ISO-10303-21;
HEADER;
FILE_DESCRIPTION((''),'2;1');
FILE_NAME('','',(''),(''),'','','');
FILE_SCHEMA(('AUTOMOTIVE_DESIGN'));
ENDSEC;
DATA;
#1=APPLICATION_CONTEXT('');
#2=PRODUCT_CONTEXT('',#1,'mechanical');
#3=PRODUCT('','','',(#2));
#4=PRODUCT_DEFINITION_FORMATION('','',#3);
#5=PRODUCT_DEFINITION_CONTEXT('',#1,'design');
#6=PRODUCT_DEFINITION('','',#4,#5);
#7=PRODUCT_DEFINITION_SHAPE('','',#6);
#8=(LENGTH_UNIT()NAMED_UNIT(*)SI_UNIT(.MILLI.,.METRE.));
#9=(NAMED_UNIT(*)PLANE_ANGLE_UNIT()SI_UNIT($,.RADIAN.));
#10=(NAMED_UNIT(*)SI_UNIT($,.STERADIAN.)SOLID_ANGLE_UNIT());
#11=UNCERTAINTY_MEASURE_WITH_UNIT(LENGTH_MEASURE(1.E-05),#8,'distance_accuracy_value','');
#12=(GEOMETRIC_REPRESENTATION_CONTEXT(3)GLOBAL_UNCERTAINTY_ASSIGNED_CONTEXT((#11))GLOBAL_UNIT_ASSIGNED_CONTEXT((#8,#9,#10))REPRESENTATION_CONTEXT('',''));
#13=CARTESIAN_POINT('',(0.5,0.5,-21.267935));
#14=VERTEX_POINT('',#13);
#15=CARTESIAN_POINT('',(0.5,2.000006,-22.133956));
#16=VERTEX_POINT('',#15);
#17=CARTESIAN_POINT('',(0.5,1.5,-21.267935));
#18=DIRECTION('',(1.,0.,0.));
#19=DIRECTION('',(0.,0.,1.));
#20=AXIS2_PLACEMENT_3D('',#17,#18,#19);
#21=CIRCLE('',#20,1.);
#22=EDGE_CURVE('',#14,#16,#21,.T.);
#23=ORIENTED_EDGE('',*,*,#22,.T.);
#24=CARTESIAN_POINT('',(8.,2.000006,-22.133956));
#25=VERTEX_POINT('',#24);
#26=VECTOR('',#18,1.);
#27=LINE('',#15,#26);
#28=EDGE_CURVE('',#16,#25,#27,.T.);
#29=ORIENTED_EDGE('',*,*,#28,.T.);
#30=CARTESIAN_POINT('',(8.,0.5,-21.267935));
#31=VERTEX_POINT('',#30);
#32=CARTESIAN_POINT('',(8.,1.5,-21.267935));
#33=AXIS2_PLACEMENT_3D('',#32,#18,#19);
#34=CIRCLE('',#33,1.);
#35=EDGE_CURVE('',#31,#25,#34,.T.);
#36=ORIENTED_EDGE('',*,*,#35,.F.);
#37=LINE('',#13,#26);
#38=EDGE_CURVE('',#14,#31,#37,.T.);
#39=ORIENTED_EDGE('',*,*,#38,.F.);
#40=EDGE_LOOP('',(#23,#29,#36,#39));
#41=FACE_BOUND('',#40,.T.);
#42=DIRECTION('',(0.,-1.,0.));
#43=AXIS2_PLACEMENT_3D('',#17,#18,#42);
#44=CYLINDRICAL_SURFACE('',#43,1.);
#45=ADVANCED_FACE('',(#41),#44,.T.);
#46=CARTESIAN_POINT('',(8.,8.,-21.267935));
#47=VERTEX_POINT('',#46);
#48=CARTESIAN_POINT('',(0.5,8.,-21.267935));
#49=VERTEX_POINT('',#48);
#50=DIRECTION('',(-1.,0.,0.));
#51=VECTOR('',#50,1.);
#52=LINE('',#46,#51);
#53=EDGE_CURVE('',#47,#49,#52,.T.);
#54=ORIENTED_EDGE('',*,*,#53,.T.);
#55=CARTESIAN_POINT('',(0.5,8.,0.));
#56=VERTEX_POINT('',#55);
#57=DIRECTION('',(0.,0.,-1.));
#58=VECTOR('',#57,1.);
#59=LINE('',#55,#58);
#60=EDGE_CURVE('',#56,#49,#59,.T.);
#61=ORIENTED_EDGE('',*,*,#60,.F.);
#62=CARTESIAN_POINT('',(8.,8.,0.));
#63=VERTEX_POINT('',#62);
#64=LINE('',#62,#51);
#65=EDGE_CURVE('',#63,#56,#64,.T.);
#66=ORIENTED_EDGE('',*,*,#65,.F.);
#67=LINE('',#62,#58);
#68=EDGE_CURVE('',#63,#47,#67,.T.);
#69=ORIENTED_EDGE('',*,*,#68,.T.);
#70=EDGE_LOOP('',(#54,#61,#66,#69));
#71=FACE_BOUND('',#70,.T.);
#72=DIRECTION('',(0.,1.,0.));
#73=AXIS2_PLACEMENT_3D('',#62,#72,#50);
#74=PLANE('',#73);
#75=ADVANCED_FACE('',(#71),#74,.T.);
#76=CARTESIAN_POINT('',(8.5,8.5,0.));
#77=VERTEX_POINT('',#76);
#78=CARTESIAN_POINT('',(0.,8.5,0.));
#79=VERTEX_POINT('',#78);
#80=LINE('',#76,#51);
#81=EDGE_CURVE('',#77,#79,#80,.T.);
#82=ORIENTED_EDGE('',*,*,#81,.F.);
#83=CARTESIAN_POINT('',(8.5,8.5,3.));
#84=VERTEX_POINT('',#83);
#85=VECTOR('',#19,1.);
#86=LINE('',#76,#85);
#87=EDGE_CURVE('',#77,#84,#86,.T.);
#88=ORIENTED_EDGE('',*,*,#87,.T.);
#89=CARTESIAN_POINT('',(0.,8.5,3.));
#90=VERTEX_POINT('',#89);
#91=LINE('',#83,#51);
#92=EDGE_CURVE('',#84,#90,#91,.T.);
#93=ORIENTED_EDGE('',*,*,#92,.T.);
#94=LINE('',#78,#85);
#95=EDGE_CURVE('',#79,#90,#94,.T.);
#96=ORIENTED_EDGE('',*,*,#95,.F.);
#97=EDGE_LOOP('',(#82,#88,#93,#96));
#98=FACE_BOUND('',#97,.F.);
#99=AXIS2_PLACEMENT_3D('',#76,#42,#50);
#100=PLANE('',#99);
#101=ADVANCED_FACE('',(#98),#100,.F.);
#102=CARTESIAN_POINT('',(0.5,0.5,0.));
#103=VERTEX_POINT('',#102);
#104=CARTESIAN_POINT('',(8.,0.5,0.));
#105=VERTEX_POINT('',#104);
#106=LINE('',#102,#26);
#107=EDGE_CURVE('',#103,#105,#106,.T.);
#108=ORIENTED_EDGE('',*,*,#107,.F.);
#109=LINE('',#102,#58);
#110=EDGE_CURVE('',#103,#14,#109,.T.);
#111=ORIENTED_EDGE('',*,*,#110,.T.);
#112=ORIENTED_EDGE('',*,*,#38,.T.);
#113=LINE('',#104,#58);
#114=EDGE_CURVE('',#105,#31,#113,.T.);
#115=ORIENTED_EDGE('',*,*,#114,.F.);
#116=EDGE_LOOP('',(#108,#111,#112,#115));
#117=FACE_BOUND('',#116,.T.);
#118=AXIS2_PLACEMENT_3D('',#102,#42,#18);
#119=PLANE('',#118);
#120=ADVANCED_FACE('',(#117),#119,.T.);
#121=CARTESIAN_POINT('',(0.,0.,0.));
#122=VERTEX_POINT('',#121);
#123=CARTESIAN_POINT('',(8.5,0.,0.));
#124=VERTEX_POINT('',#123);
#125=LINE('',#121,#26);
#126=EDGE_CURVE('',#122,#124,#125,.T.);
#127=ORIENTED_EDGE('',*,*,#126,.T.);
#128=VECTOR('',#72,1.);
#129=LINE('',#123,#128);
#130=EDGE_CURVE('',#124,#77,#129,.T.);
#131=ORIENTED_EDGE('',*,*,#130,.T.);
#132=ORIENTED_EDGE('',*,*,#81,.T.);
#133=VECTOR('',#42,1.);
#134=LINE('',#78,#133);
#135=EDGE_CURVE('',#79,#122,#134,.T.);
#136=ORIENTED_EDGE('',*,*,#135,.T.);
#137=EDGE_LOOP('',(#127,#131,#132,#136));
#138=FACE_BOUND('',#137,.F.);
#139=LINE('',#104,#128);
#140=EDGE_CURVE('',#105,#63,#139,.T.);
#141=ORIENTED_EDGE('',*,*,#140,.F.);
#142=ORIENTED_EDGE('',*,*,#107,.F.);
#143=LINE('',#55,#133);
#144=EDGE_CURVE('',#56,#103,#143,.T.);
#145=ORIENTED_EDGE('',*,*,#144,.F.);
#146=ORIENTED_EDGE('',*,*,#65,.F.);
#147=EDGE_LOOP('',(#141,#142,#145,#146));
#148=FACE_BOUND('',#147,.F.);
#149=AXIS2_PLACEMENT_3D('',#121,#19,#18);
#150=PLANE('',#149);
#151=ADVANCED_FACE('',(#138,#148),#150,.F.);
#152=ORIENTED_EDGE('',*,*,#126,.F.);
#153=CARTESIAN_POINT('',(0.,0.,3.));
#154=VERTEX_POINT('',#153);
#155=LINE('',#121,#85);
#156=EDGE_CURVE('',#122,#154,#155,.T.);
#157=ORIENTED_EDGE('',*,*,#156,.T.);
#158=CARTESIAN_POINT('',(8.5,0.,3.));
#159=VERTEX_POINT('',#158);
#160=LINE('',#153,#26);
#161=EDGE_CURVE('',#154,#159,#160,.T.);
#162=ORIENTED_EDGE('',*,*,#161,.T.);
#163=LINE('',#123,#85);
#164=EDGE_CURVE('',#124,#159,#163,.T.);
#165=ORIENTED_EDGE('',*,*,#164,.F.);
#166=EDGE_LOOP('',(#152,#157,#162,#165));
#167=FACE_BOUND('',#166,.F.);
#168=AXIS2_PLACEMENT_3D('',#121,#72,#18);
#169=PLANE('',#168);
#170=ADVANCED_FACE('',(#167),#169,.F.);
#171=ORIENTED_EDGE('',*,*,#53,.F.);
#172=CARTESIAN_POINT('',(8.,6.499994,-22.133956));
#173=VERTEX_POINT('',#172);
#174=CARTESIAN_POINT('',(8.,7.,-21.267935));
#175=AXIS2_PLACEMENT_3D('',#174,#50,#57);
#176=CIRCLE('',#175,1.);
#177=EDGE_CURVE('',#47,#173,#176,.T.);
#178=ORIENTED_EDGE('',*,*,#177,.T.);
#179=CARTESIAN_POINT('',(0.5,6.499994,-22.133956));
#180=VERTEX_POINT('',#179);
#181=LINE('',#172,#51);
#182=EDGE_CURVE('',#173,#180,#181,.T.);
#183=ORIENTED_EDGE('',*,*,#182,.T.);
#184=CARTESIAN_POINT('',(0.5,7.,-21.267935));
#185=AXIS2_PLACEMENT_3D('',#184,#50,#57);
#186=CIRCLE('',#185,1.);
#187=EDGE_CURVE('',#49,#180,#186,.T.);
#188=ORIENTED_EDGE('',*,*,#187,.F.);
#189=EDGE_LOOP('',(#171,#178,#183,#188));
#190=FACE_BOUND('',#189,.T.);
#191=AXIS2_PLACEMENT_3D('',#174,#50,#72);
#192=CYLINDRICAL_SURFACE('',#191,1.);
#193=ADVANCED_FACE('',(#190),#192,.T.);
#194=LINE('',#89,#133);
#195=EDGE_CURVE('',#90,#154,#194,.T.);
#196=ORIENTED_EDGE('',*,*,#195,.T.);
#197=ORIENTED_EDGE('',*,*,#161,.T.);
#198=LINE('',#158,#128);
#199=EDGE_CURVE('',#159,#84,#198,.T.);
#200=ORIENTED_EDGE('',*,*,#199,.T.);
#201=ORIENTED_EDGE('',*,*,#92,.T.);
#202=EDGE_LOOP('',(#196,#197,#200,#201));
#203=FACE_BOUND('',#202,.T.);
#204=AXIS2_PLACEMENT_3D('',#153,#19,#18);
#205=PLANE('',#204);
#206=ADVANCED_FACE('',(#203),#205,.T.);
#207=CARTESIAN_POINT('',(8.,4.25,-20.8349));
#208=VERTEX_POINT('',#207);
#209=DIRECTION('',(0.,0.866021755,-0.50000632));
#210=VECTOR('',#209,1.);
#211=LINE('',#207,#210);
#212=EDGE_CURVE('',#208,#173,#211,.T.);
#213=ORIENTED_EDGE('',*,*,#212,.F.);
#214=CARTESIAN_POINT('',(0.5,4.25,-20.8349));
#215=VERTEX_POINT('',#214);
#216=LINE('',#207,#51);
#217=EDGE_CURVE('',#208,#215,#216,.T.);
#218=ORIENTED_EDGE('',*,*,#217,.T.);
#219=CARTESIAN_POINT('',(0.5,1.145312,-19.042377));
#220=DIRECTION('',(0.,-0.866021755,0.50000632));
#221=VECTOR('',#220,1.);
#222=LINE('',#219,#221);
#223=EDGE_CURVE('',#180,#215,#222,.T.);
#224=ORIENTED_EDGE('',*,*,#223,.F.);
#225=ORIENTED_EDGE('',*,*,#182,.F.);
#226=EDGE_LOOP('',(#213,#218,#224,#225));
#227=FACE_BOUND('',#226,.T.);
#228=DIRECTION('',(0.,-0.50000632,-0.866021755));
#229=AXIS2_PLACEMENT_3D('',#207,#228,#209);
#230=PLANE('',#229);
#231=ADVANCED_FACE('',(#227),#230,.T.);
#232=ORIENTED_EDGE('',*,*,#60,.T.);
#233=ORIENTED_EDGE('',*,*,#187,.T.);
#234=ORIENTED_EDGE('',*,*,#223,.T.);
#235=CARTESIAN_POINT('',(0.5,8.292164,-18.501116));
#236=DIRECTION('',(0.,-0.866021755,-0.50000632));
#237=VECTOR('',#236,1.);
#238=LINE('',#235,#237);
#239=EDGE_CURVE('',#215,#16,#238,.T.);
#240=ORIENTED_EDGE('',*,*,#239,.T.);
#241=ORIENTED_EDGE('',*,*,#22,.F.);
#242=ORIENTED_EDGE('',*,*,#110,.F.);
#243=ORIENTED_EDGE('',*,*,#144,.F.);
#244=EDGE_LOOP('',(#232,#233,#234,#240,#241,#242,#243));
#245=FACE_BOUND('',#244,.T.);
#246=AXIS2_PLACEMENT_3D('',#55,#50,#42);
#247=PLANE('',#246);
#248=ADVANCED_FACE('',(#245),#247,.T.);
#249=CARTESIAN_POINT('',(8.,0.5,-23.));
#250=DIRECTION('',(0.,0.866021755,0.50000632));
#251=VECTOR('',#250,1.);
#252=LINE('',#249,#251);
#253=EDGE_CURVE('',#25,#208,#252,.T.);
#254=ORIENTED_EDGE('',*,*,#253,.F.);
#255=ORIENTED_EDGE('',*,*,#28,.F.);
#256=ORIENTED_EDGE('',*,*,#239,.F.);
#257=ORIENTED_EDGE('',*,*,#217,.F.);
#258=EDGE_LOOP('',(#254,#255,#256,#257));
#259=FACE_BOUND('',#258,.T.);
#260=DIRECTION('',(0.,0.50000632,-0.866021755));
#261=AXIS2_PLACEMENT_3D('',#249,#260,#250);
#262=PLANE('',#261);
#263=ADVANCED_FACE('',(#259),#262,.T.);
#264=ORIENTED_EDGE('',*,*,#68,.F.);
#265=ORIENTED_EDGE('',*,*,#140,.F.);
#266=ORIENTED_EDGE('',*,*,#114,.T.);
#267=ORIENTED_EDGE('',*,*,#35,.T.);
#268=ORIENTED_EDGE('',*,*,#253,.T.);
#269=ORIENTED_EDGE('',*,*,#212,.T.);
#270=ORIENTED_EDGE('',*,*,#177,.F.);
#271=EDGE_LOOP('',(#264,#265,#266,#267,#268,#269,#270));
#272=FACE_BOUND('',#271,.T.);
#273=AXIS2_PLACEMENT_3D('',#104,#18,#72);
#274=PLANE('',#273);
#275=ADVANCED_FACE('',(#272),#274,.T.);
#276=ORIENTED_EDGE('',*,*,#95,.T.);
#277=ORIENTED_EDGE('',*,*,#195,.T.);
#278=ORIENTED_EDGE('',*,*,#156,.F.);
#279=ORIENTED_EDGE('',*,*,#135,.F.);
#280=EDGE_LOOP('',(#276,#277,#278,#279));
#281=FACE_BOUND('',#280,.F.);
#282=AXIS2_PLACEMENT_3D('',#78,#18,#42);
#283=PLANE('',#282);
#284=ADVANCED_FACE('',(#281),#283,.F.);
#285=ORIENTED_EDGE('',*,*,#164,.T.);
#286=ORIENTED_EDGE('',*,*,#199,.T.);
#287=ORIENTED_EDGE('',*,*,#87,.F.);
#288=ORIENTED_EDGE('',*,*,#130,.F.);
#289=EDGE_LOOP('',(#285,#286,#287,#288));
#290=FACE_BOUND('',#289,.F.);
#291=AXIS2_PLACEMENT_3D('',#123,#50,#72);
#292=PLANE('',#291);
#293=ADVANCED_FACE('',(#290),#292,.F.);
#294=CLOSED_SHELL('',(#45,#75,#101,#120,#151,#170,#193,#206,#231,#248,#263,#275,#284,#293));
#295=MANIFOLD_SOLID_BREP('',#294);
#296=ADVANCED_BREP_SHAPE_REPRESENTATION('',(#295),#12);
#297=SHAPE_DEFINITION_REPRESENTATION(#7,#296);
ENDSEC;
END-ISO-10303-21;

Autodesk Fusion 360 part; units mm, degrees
sketch "Sketch1" plane through (0, 0, 0) normal (0, 0, 1) x (1, 0, 0)
  line L0 (0, 0) -> (8.5, 0)
  line L1 (8.5, 0) -> (8.5, 8.5)
  line L2 (8.5, 8.5) -> (0, 8.5)
  line L3 (0, 8.5) -> (0, 0)
  dimension "d1" = 8.5
extrude "Extrude1" add sketch "Sketch1" along normal blind 3
sketch "Sketch2" plane through (0, 0, 0) normal (0, 0, -1) x (1, 0, 0)
  line L0 (0, 0) -> (0, -8.5)
  line L1 (0, -8.5) -> (8.5, -8.5)
  line L2 (8.5, -8.5) -> (8.5, 0)
  line L3 (8.5, 0) -> (0, 0)
  line L4 (0.5, -0.5) -> (8, -0.5)
  line L5 (8, -0.5) -> (8, -8)
  line L6 (8, -8) -> (0.5, -8)
  line L7 (0.5, -8) -> (0.5, -0.5)
  line L8 (0.5, -0.5) -> (8, -8) construction
  line L9 (8.5, 0) -> (0, -8.5) construction
  dimension "d4" = 7.5
extrude "Extrude2" add sketch "Sketch2" along normal blind 23 contours L4 L5 L6 L7
sketch "Sketch3" plane through (8, 0, 0) normal (1, 0, 0) x (0, 1, 0)
  line L0 (8, 0) -> (0.5, 0)
  line L1 (0.5, 0) -> (0.5, -23)
  line L2 (0.5, -23) -> (8, -23)
  line L3 (8, -23) -> (8, 0)
  line L4 (0.5, -23) -> (4.25, -20.8349)
  line L5 (4.25, -20.8349) -> (8, -23)
  line L6 (8, -23) -> (0.5, -23)
  dimension "d7" = 120
extrude "Extrude3" cut sketch "Sketch3" against normal through all contours L2 L4 L5 L6
fillet "Fillet1" radius 1 2 edges at (4.25, 0.5, -23) (4.25, 8, -23)
